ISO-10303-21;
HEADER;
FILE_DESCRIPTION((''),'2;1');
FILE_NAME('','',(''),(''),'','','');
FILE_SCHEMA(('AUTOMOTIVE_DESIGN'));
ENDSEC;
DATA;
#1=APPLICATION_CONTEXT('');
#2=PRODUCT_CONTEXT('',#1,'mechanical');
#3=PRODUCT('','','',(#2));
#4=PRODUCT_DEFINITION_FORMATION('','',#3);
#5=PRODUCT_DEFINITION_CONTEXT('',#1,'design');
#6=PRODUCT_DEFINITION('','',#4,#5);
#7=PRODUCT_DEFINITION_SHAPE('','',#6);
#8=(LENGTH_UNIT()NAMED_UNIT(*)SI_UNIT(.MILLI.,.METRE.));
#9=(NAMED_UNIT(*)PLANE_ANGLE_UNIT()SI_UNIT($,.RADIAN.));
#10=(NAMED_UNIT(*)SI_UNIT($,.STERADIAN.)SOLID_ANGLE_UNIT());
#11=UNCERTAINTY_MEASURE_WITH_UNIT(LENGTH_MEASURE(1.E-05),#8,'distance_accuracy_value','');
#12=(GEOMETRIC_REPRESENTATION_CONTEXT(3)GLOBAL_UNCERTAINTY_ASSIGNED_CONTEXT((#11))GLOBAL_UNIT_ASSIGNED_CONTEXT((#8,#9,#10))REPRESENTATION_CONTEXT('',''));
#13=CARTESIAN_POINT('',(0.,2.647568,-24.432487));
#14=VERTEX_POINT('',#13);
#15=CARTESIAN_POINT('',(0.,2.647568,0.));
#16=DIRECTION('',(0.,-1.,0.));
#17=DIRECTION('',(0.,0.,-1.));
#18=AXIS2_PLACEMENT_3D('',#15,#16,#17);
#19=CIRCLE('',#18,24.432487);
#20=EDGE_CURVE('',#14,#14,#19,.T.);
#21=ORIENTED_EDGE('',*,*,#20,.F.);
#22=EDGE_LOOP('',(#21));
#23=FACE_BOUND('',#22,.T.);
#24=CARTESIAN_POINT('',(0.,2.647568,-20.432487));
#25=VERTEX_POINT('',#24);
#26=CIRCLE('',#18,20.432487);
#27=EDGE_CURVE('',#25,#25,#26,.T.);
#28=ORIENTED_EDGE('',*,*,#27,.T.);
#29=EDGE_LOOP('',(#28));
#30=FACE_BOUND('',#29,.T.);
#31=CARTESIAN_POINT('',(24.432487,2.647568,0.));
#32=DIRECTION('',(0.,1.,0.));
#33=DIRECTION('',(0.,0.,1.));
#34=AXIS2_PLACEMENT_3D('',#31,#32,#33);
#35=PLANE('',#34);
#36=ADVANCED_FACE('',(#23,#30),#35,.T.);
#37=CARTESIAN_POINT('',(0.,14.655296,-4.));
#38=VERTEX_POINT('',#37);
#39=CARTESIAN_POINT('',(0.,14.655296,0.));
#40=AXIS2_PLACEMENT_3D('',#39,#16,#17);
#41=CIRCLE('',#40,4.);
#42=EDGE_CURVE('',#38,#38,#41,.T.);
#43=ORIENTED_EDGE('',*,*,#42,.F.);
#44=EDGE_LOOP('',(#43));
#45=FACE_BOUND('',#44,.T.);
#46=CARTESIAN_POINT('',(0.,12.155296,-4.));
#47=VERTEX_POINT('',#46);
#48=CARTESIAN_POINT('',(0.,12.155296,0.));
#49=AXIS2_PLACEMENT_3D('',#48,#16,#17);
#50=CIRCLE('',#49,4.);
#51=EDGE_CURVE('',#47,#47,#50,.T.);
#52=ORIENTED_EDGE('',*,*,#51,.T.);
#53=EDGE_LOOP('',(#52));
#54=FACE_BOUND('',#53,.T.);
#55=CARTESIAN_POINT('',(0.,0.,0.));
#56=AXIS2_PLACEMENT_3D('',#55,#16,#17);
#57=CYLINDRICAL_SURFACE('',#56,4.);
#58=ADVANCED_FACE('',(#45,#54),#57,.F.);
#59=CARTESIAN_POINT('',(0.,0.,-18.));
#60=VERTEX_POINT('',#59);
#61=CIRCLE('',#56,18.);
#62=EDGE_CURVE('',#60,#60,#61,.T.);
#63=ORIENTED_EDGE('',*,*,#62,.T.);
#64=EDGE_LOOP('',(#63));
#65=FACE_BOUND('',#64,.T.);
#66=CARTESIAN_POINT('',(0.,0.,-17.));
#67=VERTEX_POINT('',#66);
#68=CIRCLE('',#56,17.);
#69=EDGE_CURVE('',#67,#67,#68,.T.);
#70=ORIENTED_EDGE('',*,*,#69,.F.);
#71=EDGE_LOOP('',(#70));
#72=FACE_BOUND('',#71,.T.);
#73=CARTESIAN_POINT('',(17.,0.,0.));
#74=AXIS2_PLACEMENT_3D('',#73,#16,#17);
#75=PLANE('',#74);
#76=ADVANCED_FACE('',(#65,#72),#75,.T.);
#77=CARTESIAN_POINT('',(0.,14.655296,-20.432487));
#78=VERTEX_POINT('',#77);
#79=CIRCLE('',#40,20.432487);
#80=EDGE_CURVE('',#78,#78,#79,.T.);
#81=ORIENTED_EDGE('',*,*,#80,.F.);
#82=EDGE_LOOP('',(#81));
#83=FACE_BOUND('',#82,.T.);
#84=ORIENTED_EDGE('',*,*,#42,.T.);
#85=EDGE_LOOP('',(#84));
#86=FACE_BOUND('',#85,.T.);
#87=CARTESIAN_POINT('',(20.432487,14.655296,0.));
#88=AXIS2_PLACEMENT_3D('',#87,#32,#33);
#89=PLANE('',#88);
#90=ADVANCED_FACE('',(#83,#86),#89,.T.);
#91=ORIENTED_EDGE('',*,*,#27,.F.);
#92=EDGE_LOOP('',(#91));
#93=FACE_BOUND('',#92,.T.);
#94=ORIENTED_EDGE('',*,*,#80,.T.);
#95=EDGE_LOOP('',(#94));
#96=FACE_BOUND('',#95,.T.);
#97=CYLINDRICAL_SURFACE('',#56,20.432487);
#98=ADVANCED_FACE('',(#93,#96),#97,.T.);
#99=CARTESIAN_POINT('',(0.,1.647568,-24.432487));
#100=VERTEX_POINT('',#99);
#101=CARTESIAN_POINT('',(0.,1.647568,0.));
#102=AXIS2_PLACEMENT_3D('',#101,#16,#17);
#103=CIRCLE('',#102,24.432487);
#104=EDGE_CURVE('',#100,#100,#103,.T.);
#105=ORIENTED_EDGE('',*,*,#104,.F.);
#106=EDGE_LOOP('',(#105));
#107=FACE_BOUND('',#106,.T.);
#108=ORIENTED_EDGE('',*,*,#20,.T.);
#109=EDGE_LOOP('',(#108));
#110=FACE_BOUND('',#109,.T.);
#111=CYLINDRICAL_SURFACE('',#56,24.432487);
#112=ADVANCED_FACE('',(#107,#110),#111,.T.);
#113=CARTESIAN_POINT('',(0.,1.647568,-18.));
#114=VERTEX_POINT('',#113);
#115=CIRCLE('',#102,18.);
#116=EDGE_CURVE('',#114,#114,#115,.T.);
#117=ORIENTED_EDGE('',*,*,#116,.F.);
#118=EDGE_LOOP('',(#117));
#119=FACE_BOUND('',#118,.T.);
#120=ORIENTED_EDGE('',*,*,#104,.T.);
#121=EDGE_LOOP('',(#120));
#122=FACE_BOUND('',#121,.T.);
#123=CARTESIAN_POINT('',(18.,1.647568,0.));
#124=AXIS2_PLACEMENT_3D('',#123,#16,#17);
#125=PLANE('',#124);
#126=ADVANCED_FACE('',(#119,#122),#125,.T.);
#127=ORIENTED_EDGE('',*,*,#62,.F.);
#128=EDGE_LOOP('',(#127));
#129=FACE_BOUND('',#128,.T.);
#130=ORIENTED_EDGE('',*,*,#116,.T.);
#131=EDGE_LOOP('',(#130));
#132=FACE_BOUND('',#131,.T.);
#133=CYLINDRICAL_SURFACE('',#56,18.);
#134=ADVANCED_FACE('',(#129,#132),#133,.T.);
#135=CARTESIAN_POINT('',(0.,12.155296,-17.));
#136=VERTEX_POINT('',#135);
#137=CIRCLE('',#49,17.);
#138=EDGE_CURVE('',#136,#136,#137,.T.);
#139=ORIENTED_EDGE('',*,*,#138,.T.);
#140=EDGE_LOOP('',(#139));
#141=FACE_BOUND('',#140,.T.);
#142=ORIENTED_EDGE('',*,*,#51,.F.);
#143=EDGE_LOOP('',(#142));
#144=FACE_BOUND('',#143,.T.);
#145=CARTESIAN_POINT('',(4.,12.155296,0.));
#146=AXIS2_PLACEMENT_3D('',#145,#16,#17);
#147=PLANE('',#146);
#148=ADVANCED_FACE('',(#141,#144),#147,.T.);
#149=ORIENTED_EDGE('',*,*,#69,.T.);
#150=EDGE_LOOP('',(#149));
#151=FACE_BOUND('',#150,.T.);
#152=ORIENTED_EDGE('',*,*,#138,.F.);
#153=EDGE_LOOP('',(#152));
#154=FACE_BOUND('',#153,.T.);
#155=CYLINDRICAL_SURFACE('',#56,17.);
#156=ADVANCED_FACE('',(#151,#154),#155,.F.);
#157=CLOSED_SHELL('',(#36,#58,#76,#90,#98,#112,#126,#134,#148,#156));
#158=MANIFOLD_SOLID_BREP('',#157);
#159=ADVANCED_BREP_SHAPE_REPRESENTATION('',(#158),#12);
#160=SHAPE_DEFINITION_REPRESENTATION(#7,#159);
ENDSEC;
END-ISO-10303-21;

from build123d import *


with BuildPart() as part:
    # Эскиз1 → Повернуть1 (revolve)
    with BuildSketch(Plane.XY):
        Polygon((17, 0), (18, 0), (18, 1.647568474), (24.43248748, 1.647568474), (24.43248748, 2.647568474), (20.43248748, 2.647568474), (20.43248748, 14.65529647), (4, 14.65529647), (4, 12.15529647), (17, 12.15529647), align=None)
    revolve(axis=Axis((0, 0, 0), (0, 1, 0)))


solid = part.part
